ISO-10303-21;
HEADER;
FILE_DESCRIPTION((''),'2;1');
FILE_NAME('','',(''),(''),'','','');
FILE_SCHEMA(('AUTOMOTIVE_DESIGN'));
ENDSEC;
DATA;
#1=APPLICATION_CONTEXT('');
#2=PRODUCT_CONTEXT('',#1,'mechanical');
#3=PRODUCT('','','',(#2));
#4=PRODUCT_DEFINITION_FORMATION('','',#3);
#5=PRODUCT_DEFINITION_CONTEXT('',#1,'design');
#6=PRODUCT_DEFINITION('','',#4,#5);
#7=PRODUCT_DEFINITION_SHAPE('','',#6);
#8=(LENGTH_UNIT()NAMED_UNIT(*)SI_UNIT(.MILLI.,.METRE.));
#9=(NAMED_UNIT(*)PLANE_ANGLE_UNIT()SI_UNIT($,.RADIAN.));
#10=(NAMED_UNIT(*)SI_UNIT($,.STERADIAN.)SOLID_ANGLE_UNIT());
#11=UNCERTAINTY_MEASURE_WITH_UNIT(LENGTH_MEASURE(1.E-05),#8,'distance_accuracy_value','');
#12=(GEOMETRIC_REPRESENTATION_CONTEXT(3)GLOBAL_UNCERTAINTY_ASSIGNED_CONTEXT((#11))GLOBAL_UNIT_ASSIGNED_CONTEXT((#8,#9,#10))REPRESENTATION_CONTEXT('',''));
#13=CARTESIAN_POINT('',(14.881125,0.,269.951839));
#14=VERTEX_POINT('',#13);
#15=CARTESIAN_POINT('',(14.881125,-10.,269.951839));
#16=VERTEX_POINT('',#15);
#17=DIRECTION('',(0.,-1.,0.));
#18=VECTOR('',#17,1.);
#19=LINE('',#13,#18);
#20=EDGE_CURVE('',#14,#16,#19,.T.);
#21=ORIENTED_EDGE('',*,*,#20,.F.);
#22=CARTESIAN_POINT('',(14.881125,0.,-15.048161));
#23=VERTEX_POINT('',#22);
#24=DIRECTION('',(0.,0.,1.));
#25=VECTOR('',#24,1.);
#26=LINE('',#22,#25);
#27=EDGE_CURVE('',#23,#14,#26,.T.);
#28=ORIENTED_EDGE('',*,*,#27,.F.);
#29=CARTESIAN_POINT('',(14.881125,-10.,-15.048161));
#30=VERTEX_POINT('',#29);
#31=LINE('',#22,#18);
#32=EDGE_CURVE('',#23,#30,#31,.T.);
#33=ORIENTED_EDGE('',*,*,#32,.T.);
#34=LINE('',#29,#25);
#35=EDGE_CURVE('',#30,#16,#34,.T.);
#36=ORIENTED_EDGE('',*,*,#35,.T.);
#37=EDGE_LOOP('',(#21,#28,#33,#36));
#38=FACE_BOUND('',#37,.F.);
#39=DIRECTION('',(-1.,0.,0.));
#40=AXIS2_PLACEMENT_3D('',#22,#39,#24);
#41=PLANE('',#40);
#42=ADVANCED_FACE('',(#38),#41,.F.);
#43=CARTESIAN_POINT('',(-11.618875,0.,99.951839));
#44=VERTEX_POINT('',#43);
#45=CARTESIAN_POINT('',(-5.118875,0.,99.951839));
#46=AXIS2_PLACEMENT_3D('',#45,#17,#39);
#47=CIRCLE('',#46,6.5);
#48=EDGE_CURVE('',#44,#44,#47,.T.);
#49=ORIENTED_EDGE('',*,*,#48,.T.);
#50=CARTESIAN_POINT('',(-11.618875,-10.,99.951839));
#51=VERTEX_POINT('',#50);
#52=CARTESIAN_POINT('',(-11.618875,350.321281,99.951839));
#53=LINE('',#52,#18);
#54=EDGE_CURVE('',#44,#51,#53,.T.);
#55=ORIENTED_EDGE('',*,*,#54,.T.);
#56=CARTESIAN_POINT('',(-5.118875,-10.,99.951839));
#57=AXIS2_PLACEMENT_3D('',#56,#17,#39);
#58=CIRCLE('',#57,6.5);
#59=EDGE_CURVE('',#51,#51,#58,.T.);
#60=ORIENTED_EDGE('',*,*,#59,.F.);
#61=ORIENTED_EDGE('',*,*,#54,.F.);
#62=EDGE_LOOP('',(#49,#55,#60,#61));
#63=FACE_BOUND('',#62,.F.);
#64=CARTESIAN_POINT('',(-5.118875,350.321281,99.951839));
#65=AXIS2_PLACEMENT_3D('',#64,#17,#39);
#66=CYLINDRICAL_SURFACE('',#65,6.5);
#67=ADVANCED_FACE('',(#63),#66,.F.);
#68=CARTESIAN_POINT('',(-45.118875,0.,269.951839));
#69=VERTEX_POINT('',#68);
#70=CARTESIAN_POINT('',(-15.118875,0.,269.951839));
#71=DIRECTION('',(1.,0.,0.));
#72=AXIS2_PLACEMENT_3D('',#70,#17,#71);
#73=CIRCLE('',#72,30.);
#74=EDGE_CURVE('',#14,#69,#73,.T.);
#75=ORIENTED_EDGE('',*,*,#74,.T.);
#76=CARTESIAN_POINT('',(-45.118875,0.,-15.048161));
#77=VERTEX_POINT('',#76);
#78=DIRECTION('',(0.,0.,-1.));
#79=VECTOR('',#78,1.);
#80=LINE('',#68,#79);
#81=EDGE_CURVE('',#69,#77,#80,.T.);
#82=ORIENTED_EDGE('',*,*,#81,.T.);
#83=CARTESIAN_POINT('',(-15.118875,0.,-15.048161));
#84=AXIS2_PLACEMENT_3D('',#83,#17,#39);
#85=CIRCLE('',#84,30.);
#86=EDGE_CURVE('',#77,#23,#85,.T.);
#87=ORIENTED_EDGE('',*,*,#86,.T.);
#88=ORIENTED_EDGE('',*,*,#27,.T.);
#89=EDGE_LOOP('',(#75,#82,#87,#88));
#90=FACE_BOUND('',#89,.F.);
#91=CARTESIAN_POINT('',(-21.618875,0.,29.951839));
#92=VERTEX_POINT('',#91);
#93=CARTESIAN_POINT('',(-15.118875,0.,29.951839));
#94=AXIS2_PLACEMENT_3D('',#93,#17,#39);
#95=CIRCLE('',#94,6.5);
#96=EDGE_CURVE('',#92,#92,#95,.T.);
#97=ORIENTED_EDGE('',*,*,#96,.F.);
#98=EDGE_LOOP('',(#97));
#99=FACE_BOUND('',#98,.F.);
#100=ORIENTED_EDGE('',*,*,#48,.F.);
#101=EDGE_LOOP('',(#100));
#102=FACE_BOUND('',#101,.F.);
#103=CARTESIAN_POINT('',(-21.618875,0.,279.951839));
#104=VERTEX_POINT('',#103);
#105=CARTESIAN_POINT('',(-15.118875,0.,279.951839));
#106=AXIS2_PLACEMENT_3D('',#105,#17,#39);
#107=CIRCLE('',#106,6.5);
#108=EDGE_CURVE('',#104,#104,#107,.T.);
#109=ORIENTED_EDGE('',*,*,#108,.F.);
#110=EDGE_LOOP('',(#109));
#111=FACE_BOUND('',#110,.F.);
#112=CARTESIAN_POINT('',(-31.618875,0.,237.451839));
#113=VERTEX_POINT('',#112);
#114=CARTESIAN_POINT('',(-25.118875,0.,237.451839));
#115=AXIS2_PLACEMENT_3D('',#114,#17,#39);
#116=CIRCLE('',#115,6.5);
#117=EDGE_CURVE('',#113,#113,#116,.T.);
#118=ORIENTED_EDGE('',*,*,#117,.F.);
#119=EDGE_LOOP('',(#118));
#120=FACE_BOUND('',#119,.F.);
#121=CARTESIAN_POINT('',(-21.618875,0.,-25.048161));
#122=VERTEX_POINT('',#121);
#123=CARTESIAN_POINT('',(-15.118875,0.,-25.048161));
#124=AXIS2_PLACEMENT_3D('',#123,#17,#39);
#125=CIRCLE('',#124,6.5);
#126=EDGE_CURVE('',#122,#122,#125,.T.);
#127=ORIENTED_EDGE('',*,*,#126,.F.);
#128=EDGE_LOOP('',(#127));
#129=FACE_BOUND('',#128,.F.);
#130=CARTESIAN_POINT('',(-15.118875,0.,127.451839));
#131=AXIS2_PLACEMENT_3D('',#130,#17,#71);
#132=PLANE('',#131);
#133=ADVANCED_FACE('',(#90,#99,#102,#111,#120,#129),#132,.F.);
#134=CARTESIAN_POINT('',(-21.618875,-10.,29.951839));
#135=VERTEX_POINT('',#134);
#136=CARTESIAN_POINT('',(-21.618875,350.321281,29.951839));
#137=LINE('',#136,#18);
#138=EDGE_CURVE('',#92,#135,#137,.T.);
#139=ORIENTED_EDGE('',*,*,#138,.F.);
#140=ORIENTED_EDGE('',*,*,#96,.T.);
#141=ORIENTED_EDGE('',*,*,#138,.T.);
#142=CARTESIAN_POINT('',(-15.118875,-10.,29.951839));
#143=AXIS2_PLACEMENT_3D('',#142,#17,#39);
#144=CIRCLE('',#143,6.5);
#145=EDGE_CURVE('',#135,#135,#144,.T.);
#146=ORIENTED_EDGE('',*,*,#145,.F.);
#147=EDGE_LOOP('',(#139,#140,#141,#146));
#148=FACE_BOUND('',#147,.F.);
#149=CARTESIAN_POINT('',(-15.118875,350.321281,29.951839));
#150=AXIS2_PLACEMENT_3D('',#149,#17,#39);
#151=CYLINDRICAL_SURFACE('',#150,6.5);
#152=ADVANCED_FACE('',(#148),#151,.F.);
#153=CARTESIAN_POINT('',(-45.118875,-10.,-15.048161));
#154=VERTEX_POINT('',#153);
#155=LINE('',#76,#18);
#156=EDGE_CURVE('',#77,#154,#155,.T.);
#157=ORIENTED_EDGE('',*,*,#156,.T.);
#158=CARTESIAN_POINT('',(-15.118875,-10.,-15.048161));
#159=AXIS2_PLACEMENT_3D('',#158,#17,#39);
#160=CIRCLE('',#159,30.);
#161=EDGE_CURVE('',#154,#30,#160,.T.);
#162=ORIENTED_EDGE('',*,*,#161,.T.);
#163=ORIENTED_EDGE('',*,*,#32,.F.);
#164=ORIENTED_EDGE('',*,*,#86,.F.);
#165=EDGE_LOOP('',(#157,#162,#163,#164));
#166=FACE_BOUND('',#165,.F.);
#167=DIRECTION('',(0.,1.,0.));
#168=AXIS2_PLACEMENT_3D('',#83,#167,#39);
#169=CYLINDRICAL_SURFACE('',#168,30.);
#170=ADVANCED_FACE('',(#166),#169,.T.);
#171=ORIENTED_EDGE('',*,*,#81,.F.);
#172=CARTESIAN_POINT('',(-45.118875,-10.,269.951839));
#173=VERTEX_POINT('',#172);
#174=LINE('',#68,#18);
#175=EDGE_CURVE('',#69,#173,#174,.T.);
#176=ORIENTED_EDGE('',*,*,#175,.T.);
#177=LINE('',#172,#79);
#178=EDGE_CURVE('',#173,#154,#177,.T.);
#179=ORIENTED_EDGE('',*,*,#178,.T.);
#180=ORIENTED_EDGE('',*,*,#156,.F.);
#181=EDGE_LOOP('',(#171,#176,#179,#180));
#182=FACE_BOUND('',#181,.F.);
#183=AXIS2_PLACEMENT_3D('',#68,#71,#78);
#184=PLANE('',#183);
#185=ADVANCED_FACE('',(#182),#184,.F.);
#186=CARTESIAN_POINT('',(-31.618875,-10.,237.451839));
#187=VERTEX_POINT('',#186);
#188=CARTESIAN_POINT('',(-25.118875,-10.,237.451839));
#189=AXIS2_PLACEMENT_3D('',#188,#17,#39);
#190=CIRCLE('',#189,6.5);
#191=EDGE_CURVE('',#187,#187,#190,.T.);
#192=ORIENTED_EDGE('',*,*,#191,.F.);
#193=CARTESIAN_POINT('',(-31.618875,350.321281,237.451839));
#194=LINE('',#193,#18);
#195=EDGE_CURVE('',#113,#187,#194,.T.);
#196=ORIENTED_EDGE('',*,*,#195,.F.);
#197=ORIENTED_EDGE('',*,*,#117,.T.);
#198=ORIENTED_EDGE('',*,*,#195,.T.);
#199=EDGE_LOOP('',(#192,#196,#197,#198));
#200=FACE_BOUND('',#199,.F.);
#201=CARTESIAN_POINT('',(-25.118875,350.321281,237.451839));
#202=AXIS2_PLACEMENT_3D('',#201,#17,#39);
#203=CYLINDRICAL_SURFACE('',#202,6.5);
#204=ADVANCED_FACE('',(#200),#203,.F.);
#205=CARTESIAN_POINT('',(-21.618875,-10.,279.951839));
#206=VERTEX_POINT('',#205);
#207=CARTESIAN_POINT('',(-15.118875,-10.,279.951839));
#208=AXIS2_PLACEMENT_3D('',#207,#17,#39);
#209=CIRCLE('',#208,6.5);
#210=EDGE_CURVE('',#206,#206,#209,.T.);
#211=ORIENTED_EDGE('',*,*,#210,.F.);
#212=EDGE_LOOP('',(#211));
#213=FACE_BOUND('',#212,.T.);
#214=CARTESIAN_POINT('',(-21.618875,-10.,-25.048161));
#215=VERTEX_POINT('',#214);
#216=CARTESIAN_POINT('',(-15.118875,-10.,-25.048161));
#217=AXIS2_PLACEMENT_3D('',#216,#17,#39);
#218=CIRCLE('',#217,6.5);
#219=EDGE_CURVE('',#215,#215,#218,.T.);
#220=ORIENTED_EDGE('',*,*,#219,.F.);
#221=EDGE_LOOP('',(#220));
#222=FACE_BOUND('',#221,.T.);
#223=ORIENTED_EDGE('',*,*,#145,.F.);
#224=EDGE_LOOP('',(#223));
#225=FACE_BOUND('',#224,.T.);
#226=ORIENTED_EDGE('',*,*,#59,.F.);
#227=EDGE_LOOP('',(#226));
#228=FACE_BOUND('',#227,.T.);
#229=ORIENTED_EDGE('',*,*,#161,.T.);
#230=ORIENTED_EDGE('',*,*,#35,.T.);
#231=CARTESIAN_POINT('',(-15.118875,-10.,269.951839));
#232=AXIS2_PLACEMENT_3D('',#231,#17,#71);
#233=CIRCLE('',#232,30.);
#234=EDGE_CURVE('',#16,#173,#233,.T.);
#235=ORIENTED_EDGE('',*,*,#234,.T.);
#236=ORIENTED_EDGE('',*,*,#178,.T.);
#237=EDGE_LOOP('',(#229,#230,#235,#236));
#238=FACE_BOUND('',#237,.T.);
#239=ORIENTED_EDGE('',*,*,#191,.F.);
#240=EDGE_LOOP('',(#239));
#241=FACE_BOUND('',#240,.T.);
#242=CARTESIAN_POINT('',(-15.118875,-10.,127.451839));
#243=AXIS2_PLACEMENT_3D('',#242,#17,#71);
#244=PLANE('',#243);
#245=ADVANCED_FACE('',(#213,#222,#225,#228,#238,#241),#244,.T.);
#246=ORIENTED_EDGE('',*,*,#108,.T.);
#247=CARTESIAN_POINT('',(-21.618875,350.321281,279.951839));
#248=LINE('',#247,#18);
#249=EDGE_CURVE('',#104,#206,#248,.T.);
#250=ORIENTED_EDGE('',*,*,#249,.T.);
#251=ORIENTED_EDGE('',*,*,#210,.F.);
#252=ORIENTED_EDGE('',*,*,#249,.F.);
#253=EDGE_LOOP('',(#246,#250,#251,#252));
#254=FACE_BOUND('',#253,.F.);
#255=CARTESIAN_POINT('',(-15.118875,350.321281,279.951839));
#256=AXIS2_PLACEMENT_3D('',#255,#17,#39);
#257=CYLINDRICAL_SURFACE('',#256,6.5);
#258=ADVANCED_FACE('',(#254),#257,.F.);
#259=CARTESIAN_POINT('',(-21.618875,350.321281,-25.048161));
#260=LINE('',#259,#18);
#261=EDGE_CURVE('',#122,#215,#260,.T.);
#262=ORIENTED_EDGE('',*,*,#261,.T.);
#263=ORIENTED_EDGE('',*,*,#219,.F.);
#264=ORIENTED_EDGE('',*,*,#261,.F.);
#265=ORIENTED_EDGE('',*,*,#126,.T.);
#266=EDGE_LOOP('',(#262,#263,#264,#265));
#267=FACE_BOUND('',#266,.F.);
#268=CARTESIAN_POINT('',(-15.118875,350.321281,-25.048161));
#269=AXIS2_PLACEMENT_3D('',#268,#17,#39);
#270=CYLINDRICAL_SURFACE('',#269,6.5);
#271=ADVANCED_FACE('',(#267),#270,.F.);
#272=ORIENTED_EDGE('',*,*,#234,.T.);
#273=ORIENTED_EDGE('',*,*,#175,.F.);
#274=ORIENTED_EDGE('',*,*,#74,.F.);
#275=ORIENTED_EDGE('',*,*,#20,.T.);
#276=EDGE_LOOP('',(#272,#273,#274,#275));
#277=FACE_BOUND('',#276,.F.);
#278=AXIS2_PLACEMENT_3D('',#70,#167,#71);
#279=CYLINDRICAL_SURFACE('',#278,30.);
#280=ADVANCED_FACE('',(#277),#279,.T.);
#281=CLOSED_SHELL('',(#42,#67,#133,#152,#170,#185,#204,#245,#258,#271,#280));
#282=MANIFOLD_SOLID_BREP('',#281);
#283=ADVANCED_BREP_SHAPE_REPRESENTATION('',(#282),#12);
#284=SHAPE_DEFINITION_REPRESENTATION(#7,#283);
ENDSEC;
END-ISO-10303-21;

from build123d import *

# Parameters (mm, degrees)
F1_DEPTH = 10
F2_D     = 13
F3_D     = 13
F4_D     = 13


with BuildPart() as f1:
    # F0 (on Front) → F1 (new body)
    with BuildSketch(Plane.XZ):
        with BuildLine():
            ThreePointArc((14.88112472, 269.9518393504), (-15.11887528, 299.9518393504), (-45.11887528, 269.9518393504))
            Line((-45.11887528, 269.9518393504), (-45.11887528, -15.0481606496))
            ThreePointArc((-45.11887528, -15.0481606496), (-15.11887528, -45.0481606496), (14.88112472, -15.0481606496))
            Line((14.88112472, -15.0481606496), (14.88112472, 269.9518393504))
        make_face()
    extrude(amount=F1_DEPTH)

    # F2 (through all)
    with Locations(Plane(origin=(0, 0, 0), x_dir=(1, 0, 0), z_dir=(0, 1, 0))):
        with Locations((-15.11887528, -29.9518393504), (-15.11887528, 25.0481606496)):
            Hole(F2_D / 2)

    # F3 (through all)
    with Locations(Plane(origin=(0, 0, 0), x_dir=(1, 0, 0), z_dir=(0, 1, 0))):
        with Locations((-15.11887528, -279.9518393504)):
            Hole(F3_D / 2)

    # F4 (through all)
    with Locations(Plane(origin=(0, 0, 0), x_dir=(1, 0, 0), z_dir=(0, 1, 0))):
        with Locations((-25.11887528, -237.4518393504), (-5.11887528, -99.9518393504)):
            Hole(F4_D / 2)


solid = f1.part
